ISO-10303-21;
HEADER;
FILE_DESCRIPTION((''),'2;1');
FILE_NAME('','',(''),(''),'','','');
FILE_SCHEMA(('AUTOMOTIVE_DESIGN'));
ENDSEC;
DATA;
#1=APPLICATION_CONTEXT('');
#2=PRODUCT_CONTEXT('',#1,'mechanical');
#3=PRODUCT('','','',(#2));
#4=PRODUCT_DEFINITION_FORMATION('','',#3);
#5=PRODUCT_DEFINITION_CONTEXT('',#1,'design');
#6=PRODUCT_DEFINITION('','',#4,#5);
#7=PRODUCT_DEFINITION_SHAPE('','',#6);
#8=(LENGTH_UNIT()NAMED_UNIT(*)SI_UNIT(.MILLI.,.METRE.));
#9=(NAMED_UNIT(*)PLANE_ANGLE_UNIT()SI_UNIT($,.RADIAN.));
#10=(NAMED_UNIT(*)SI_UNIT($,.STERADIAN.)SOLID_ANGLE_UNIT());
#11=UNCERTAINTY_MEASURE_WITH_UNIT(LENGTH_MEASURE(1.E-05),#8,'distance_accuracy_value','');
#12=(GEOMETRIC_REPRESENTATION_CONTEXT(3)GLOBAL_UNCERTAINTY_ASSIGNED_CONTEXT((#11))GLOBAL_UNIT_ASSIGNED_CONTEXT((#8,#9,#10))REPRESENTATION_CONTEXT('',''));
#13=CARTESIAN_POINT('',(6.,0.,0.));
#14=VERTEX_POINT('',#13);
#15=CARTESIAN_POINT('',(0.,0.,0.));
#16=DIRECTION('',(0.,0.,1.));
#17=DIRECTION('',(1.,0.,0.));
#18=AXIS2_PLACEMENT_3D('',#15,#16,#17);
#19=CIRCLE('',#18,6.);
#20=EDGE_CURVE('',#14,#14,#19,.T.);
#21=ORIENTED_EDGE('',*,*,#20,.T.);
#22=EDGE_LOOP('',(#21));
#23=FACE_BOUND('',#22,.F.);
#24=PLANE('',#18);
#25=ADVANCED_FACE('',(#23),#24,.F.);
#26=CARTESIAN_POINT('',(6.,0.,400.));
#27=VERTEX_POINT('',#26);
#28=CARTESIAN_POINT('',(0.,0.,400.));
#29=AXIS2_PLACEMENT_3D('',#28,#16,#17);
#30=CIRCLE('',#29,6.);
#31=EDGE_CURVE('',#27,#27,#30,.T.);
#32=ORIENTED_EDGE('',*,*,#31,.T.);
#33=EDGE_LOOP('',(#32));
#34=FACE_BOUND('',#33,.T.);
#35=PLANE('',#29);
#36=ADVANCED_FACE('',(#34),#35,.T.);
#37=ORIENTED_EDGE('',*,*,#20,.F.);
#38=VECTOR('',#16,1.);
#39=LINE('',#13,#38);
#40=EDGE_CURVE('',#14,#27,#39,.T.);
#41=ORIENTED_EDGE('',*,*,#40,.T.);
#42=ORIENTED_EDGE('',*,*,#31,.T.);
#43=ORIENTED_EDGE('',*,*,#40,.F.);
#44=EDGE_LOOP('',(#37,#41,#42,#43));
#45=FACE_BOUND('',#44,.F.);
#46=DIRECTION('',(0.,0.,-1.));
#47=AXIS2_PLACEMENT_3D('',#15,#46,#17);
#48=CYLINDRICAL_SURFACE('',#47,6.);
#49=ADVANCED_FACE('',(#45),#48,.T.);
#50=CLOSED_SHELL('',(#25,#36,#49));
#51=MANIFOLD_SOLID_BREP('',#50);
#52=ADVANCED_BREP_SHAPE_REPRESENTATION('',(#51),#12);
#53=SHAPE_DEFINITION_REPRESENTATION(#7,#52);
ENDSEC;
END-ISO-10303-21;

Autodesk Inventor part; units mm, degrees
ref_plane "YZ Plane" through (0, 0, 0) normal (1, 0, 0) x (0, 1, 0)
ref_plane "XZ Plane" through (0, 0, 0) normal (0, 1, 0) x (-1, 0, 0)
ref_plane "XY Plane" through (0, 0, 0) normal (0, 0, 1) x (1, 0, 0)
sketch "Sketch1" plane through (0, 0, 0) normal (0, 0, 1) x (1, 0, 0)
  circle A0 centre (0, 0) radius 6
  dimension "d0" = 12
extrude "Extrusion1" add sketch "Sketch1" along normal blind 400
